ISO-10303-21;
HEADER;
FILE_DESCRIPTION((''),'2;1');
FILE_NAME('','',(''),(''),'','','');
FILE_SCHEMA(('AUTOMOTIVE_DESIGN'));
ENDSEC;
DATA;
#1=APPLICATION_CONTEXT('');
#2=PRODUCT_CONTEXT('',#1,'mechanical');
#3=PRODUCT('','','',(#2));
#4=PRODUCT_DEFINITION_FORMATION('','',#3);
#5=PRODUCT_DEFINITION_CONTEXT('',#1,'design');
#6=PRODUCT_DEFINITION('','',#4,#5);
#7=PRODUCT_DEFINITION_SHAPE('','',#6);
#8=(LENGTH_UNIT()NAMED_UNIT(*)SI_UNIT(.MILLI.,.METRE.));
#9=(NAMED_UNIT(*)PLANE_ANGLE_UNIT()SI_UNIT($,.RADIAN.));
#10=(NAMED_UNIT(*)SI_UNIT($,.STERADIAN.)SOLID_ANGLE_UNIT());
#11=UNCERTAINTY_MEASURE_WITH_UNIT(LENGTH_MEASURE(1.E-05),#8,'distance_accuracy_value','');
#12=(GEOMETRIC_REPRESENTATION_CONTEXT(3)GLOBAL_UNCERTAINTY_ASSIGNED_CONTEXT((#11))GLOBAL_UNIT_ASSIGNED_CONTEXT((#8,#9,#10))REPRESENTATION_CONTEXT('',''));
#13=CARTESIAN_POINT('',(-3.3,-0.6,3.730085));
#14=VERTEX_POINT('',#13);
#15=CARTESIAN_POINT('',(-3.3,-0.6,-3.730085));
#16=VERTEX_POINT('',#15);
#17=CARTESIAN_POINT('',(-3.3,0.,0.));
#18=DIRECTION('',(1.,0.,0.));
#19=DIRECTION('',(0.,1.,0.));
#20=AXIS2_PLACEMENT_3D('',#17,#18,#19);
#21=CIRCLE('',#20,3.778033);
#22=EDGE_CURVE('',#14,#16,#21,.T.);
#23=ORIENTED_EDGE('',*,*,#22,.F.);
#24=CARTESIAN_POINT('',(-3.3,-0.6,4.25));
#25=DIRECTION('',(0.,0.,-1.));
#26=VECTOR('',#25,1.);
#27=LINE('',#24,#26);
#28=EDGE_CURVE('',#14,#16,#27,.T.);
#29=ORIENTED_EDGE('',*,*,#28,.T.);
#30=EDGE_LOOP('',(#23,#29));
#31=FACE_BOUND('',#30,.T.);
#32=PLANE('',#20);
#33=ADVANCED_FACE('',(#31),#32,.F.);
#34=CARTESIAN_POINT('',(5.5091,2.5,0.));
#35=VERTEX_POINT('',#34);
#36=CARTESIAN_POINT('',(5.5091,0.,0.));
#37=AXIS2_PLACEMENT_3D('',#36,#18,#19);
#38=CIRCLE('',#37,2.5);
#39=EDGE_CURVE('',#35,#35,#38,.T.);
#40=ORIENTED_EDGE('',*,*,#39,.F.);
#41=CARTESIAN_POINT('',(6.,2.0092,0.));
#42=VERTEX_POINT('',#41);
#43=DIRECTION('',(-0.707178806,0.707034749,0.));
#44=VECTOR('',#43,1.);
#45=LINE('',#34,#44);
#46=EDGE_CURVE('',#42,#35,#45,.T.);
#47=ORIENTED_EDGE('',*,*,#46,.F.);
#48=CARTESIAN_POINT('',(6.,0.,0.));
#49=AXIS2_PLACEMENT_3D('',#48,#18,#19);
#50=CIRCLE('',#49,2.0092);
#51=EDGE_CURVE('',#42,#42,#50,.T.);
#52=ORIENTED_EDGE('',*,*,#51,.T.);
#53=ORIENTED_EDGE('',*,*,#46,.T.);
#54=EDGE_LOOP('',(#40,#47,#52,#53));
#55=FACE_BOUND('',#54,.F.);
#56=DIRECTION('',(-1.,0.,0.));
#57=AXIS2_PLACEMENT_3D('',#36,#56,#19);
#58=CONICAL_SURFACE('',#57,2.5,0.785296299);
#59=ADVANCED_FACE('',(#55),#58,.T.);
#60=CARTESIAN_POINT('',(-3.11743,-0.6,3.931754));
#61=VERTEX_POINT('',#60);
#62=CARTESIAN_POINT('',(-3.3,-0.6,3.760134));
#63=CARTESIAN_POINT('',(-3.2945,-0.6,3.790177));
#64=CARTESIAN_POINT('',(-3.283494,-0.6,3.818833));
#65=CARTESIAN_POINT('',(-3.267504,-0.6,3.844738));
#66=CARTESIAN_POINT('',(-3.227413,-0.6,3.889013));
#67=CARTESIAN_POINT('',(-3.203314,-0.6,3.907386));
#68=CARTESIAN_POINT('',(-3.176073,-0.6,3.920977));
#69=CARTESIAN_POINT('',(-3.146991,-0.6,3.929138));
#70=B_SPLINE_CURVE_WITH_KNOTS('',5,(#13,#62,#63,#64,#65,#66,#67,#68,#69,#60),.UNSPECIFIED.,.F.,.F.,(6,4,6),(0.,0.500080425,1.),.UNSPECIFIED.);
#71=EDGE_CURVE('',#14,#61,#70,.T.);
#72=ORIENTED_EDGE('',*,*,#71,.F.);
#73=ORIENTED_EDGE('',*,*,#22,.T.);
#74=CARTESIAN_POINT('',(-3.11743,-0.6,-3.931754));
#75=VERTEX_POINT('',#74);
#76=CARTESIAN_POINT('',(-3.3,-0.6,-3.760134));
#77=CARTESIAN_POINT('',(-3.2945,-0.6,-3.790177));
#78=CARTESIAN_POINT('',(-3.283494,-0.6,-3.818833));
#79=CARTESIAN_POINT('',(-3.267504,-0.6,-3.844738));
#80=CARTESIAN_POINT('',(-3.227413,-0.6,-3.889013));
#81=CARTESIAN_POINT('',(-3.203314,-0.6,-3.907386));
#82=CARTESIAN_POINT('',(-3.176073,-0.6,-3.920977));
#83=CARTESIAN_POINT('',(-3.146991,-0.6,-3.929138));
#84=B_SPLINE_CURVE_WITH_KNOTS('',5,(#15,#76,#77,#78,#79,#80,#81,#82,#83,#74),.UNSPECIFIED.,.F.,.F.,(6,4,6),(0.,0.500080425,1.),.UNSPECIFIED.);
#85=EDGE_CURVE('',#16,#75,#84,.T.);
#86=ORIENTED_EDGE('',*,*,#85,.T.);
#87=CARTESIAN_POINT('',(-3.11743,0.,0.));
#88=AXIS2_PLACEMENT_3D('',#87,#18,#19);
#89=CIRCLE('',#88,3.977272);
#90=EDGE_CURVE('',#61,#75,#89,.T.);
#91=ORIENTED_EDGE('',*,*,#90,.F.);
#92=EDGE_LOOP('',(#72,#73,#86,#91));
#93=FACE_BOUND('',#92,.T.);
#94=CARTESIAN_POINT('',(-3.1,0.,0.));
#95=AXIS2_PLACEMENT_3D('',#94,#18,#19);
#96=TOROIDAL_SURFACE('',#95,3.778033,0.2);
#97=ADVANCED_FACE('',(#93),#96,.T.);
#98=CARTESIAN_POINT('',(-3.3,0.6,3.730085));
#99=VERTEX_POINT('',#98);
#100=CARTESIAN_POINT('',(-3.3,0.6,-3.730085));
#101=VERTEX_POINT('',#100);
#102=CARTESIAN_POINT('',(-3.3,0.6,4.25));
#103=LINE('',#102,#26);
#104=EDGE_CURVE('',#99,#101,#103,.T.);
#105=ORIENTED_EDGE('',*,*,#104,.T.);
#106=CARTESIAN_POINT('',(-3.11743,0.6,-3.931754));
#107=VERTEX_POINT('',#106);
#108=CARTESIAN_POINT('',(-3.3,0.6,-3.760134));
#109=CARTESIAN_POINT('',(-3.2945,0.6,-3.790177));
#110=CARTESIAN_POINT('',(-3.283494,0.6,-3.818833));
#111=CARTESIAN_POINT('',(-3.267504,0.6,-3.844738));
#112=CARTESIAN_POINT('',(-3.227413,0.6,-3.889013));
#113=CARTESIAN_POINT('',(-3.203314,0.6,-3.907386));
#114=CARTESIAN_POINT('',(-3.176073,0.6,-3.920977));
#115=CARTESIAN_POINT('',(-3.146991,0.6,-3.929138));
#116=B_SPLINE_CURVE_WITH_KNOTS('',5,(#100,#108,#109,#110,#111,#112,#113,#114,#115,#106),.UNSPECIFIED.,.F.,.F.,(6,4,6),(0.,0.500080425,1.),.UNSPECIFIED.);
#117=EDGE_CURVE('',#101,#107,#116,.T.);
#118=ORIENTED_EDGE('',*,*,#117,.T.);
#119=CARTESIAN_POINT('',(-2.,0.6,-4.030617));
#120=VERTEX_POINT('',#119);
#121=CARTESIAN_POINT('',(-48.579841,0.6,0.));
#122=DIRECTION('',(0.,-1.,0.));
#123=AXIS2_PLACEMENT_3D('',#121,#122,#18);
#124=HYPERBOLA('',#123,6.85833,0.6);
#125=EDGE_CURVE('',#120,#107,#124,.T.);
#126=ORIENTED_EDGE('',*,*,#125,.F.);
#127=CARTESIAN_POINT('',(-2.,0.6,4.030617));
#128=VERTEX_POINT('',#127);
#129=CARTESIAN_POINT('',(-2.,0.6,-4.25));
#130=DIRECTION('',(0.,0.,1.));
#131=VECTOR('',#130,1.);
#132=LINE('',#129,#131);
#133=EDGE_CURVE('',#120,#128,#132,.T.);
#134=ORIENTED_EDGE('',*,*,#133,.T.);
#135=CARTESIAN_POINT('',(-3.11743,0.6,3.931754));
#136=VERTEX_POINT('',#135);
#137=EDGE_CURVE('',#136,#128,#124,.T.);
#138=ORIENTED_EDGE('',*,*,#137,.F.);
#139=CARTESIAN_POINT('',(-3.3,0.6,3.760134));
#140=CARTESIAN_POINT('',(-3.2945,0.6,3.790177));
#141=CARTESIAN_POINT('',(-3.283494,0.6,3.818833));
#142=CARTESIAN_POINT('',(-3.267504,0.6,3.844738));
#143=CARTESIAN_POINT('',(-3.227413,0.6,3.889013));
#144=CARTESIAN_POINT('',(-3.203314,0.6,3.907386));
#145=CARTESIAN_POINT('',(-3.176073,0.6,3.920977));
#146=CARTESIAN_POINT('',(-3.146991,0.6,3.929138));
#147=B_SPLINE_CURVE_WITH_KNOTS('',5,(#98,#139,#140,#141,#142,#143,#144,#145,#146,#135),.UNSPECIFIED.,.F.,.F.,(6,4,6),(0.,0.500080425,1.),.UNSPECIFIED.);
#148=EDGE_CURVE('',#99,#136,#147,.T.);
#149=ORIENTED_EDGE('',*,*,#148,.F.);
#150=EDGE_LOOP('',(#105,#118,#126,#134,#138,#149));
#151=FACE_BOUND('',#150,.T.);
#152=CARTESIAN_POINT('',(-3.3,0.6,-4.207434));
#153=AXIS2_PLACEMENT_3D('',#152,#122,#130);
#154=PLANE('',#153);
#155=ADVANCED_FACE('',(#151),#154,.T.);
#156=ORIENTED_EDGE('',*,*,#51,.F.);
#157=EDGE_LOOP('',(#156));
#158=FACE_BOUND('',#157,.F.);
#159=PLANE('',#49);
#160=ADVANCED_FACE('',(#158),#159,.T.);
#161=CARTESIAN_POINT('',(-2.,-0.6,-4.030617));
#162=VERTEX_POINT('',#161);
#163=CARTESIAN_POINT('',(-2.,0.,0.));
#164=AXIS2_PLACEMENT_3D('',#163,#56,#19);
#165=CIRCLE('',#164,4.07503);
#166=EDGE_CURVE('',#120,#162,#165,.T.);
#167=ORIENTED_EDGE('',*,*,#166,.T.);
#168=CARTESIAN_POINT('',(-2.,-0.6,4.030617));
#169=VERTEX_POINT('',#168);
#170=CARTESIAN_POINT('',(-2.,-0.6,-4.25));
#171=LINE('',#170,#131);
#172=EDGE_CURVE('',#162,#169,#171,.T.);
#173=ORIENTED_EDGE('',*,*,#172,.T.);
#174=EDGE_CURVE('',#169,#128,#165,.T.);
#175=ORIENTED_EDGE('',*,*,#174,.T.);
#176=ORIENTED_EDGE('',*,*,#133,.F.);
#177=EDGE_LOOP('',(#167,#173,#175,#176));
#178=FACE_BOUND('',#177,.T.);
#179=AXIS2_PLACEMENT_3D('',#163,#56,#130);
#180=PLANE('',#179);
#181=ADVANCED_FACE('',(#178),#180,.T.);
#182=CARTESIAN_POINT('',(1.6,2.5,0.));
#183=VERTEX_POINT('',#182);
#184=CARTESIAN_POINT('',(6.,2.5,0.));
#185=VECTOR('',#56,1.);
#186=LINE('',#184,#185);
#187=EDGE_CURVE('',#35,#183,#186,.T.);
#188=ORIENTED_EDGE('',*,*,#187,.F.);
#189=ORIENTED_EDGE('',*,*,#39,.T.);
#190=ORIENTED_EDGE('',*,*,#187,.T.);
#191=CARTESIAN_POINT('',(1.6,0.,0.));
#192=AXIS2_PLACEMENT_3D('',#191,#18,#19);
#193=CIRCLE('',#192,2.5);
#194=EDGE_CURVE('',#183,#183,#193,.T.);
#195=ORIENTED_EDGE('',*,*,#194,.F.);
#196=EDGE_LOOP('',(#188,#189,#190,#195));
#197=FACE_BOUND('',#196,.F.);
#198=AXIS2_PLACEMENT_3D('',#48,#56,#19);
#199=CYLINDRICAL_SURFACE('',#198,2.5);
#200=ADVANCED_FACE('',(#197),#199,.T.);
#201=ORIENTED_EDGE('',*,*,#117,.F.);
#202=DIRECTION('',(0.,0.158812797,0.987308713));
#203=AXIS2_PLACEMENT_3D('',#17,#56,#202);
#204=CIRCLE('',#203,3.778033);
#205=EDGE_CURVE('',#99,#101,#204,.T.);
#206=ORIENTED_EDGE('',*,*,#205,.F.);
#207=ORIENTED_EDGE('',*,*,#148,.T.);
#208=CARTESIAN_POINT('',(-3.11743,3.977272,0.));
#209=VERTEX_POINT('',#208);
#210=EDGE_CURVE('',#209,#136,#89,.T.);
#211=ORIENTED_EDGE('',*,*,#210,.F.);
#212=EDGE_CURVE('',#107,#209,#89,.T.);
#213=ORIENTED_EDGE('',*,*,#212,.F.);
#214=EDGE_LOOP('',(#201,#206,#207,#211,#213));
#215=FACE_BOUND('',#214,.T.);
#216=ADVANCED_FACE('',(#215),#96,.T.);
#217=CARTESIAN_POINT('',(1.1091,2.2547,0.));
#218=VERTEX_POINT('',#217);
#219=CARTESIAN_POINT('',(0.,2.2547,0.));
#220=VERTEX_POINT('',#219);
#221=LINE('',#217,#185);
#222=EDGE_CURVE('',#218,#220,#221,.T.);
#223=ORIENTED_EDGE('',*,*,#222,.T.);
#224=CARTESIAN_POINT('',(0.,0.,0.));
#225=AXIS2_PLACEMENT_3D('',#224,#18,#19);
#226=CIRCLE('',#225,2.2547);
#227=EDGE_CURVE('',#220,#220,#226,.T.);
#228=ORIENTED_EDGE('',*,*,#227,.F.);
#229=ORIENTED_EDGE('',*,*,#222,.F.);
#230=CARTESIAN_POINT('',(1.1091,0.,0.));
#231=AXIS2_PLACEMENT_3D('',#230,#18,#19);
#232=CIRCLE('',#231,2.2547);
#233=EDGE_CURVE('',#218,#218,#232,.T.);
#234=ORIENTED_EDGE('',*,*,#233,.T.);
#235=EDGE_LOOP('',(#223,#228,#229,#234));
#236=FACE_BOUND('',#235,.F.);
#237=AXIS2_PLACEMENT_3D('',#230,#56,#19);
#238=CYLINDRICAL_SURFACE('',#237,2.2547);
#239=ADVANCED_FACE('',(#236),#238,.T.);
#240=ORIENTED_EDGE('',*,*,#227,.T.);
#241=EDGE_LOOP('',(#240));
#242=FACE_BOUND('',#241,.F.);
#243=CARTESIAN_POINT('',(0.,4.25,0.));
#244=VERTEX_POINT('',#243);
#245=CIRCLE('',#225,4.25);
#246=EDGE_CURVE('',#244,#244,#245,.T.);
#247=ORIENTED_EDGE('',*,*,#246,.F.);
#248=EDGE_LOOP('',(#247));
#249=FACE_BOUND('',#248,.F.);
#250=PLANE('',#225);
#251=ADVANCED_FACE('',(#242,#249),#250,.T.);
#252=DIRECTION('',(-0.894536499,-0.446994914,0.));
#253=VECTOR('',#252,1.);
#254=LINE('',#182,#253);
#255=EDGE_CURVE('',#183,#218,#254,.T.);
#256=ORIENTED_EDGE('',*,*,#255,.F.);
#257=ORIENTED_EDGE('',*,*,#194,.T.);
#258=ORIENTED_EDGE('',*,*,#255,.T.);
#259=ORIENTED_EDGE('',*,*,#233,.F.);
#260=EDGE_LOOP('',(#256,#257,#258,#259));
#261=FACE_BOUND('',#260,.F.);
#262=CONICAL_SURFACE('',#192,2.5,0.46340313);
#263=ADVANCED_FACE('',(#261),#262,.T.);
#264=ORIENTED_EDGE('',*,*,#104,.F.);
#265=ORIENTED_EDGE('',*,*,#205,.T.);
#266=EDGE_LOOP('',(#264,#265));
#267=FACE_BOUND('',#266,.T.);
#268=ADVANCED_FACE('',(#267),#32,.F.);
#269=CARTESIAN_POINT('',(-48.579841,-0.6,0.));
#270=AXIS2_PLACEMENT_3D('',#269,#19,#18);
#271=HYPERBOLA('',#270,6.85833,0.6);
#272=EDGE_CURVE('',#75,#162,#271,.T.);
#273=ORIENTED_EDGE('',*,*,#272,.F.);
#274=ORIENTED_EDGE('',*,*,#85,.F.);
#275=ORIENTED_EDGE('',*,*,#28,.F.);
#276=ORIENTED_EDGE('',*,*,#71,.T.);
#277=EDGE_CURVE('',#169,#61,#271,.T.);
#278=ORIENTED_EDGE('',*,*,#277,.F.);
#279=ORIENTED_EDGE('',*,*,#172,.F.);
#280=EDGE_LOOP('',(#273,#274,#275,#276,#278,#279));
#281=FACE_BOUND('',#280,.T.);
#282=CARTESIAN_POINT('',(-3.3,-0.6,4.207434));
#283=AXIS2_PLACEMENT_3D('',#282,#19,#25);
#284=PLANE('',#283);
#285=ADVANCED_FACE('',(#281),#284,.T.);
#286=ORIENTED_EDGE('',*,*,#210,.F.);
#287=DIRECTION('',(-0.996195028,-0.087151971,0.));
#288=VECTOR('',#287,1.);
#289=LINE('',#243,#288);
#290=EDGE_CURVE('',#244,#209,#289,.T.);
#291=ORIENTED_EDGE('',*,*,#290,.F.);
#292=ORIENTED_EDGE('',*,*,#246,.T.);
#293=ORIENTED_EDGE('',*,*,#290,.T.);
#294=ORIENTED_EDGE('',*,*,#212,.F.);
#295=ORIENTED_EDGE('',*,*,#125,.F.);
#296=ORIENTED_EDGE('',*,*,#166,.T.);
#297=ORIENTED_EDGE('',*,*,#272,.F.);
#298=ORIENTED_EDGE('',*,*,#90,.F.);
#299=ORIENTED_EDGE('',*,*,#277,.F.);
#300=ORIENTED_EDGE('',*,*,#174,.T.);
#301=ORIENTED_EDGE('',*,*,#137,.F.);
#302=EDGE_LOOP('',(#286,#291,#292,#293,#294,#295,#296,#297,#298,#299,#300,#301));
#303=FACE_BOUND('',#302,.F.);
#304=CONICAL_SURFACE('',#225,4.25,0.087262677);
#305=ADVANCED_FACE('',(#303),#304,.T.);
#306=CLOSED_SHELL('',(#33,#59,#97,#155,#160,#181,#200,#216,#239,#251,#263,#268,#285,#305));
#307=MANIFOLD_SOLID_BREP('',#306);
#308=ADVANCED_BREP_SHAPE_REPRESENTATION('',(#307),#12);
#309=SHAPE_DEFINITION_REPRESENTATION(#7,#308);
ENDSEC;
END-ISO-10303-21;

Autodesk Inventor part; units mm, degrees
ref_plane "YZ Plane" through (0, 0, 0) normal (1, 0, 0) x (0, 1, 0)
ref_plane "XZ Plane" through (0, 0, 0) normal (0, 1, 0) x (-1, 0, 0)
sketch "Esquisse1" plane through (0, 0, 0) normal (0, 0, 1) x (1, 0, 0)
  line L0 (-3.3, 0) -> (6, 0)
  line L1 (6, 0) -> (6, 2.5)
  line L2 (6, 2.5) -> (1.6, 2.5)
  line L3 (1.6, 2.5) -> (1.1091, 2.2547)
  line L4 (1.1091, 2.2547) -> (0, 2.2547)
  line L5 (0, 2.2547) -> (0, 4.25)
  line L6 (-5.16, 0) -> (7.86, 0) projected
  line L7 (0, -0.85) -> (0, 5.1) projected
  line L8 (-3.3, 0) -> (-3.3, 3.9613)
  line L9 (0, 4.25) -> (-3.3, 3.9613)
  line L10 (1.6, 2.5) -> (0, 2.5) construction
  dimension "d0" = 6
  dimension "d1" = 4.4
  dimension "d2" = 0.4909
  dimension "d3" = 3.3
  dimension "d4" = 5
  dimension "d5" = 4.5095
  dimension "d9" = 8.5
  dimension "d10" = 5
revolve "Corps" add sketch "Esquisse1" angle 360 about axis through (-3.3, 0, 0) along (1, 0, 0)
sketch "Esquisse2" plane through (-3.3, 0, 0) normal (-1, 0, 0) x (0, 0, 1)
  circle A0 centre (0, 0) radius 4.25 projected
  line L0 (0, 0) -> (0, 3.9613) projected
  line L1 (-4.25, 0.6) -> (4.25, 0.6)
  line L2 (4.25, 0.6) -> (4.25, -0.6)
  line L3 (4.25, -0.6) -> (-4.25, -0.6)
  line L4 (-4.25, -0.6) -> (-4.25, 0.6)
  line L5 (-4.25, 0) -> (4.25, 0) construction
  line L6 (0, 0.6) -> (0, -0.6) construction
  dimension "d11" = 1.2
  dimension "d12" = 8.5
fillet "Congé1" radius 0.2 1 edges at (-3.3, -3.9613, 0)
extrude "Rainure" cut sketch "Esquisse2" against normal blind 1.3 contours A0 L3 L1 | L2 L3 A0 | A0 L1 L2 | A0 L4 L1 | L3 L4 A0
thread "Filetage" size "M5x0.8" class "6g" standard "ISO Metric profile" length 4.4
chamfer "Chanfrein1" distance 0.4908 distance2 0.4909 1 edges at (6, -2.5, 0) measured on face at (6, -0.1451, 0.646)
ref_plane "Work Plane1" through (30.1625, 0, 0) normal (0, 0, -1) x (1, 0, 0)
equation "\"d11\" = SBR"
equation "\"d12\" = KOD"
equation "\"d19\" = STI"
equation "\"d14\" = RR"
equation "\"d15\" = GEL"
equation "\"d17\" = -0.5 * SPD + 0.5 * GD"
equation "\"d0\" = NLG"
equation "\"d1\" = GEL"
equation "\"d3\" = KOH"
equation "\"d4\" = GD"
equation "\"d5\" = BDM"
equation "\"d9\" = KOD"
equation "\"d10\" = KEWI"
equation "\"GD\" = NND"
equation "\"NLG\" = 6"
equation "\"GEL\" = 4.4"
equation "\"KOD\" = 8.5"
equation "\"KOH\" = 3.3"
equation "\"GAL\" = 0.61345 * PTC"
equation "\"SPD\" = NND - 1.2269 * PTC"
equation "\"BDM\" = 4.5095"
equation "\"GUL\" = 0.61345 * PTC"
equation "\"RR\" = 0.2"
equation "\"SBR\" = 1.2"
equation "\"STI\" = 1.3"
equation "\"KEWI\" = 5deg"
equation "\"PTC\" = 0.8"
equation "\"THREADDIA\" = 5"
equation "\"TOA\" = 30deg"
equation "\"NND\" = 5"
equation "\"GD1\" = THREADDIA - 1.2269 * PTC"
properties part number "ISO 1207 - M5 x 6" material "Acier inoxydable 440C"
